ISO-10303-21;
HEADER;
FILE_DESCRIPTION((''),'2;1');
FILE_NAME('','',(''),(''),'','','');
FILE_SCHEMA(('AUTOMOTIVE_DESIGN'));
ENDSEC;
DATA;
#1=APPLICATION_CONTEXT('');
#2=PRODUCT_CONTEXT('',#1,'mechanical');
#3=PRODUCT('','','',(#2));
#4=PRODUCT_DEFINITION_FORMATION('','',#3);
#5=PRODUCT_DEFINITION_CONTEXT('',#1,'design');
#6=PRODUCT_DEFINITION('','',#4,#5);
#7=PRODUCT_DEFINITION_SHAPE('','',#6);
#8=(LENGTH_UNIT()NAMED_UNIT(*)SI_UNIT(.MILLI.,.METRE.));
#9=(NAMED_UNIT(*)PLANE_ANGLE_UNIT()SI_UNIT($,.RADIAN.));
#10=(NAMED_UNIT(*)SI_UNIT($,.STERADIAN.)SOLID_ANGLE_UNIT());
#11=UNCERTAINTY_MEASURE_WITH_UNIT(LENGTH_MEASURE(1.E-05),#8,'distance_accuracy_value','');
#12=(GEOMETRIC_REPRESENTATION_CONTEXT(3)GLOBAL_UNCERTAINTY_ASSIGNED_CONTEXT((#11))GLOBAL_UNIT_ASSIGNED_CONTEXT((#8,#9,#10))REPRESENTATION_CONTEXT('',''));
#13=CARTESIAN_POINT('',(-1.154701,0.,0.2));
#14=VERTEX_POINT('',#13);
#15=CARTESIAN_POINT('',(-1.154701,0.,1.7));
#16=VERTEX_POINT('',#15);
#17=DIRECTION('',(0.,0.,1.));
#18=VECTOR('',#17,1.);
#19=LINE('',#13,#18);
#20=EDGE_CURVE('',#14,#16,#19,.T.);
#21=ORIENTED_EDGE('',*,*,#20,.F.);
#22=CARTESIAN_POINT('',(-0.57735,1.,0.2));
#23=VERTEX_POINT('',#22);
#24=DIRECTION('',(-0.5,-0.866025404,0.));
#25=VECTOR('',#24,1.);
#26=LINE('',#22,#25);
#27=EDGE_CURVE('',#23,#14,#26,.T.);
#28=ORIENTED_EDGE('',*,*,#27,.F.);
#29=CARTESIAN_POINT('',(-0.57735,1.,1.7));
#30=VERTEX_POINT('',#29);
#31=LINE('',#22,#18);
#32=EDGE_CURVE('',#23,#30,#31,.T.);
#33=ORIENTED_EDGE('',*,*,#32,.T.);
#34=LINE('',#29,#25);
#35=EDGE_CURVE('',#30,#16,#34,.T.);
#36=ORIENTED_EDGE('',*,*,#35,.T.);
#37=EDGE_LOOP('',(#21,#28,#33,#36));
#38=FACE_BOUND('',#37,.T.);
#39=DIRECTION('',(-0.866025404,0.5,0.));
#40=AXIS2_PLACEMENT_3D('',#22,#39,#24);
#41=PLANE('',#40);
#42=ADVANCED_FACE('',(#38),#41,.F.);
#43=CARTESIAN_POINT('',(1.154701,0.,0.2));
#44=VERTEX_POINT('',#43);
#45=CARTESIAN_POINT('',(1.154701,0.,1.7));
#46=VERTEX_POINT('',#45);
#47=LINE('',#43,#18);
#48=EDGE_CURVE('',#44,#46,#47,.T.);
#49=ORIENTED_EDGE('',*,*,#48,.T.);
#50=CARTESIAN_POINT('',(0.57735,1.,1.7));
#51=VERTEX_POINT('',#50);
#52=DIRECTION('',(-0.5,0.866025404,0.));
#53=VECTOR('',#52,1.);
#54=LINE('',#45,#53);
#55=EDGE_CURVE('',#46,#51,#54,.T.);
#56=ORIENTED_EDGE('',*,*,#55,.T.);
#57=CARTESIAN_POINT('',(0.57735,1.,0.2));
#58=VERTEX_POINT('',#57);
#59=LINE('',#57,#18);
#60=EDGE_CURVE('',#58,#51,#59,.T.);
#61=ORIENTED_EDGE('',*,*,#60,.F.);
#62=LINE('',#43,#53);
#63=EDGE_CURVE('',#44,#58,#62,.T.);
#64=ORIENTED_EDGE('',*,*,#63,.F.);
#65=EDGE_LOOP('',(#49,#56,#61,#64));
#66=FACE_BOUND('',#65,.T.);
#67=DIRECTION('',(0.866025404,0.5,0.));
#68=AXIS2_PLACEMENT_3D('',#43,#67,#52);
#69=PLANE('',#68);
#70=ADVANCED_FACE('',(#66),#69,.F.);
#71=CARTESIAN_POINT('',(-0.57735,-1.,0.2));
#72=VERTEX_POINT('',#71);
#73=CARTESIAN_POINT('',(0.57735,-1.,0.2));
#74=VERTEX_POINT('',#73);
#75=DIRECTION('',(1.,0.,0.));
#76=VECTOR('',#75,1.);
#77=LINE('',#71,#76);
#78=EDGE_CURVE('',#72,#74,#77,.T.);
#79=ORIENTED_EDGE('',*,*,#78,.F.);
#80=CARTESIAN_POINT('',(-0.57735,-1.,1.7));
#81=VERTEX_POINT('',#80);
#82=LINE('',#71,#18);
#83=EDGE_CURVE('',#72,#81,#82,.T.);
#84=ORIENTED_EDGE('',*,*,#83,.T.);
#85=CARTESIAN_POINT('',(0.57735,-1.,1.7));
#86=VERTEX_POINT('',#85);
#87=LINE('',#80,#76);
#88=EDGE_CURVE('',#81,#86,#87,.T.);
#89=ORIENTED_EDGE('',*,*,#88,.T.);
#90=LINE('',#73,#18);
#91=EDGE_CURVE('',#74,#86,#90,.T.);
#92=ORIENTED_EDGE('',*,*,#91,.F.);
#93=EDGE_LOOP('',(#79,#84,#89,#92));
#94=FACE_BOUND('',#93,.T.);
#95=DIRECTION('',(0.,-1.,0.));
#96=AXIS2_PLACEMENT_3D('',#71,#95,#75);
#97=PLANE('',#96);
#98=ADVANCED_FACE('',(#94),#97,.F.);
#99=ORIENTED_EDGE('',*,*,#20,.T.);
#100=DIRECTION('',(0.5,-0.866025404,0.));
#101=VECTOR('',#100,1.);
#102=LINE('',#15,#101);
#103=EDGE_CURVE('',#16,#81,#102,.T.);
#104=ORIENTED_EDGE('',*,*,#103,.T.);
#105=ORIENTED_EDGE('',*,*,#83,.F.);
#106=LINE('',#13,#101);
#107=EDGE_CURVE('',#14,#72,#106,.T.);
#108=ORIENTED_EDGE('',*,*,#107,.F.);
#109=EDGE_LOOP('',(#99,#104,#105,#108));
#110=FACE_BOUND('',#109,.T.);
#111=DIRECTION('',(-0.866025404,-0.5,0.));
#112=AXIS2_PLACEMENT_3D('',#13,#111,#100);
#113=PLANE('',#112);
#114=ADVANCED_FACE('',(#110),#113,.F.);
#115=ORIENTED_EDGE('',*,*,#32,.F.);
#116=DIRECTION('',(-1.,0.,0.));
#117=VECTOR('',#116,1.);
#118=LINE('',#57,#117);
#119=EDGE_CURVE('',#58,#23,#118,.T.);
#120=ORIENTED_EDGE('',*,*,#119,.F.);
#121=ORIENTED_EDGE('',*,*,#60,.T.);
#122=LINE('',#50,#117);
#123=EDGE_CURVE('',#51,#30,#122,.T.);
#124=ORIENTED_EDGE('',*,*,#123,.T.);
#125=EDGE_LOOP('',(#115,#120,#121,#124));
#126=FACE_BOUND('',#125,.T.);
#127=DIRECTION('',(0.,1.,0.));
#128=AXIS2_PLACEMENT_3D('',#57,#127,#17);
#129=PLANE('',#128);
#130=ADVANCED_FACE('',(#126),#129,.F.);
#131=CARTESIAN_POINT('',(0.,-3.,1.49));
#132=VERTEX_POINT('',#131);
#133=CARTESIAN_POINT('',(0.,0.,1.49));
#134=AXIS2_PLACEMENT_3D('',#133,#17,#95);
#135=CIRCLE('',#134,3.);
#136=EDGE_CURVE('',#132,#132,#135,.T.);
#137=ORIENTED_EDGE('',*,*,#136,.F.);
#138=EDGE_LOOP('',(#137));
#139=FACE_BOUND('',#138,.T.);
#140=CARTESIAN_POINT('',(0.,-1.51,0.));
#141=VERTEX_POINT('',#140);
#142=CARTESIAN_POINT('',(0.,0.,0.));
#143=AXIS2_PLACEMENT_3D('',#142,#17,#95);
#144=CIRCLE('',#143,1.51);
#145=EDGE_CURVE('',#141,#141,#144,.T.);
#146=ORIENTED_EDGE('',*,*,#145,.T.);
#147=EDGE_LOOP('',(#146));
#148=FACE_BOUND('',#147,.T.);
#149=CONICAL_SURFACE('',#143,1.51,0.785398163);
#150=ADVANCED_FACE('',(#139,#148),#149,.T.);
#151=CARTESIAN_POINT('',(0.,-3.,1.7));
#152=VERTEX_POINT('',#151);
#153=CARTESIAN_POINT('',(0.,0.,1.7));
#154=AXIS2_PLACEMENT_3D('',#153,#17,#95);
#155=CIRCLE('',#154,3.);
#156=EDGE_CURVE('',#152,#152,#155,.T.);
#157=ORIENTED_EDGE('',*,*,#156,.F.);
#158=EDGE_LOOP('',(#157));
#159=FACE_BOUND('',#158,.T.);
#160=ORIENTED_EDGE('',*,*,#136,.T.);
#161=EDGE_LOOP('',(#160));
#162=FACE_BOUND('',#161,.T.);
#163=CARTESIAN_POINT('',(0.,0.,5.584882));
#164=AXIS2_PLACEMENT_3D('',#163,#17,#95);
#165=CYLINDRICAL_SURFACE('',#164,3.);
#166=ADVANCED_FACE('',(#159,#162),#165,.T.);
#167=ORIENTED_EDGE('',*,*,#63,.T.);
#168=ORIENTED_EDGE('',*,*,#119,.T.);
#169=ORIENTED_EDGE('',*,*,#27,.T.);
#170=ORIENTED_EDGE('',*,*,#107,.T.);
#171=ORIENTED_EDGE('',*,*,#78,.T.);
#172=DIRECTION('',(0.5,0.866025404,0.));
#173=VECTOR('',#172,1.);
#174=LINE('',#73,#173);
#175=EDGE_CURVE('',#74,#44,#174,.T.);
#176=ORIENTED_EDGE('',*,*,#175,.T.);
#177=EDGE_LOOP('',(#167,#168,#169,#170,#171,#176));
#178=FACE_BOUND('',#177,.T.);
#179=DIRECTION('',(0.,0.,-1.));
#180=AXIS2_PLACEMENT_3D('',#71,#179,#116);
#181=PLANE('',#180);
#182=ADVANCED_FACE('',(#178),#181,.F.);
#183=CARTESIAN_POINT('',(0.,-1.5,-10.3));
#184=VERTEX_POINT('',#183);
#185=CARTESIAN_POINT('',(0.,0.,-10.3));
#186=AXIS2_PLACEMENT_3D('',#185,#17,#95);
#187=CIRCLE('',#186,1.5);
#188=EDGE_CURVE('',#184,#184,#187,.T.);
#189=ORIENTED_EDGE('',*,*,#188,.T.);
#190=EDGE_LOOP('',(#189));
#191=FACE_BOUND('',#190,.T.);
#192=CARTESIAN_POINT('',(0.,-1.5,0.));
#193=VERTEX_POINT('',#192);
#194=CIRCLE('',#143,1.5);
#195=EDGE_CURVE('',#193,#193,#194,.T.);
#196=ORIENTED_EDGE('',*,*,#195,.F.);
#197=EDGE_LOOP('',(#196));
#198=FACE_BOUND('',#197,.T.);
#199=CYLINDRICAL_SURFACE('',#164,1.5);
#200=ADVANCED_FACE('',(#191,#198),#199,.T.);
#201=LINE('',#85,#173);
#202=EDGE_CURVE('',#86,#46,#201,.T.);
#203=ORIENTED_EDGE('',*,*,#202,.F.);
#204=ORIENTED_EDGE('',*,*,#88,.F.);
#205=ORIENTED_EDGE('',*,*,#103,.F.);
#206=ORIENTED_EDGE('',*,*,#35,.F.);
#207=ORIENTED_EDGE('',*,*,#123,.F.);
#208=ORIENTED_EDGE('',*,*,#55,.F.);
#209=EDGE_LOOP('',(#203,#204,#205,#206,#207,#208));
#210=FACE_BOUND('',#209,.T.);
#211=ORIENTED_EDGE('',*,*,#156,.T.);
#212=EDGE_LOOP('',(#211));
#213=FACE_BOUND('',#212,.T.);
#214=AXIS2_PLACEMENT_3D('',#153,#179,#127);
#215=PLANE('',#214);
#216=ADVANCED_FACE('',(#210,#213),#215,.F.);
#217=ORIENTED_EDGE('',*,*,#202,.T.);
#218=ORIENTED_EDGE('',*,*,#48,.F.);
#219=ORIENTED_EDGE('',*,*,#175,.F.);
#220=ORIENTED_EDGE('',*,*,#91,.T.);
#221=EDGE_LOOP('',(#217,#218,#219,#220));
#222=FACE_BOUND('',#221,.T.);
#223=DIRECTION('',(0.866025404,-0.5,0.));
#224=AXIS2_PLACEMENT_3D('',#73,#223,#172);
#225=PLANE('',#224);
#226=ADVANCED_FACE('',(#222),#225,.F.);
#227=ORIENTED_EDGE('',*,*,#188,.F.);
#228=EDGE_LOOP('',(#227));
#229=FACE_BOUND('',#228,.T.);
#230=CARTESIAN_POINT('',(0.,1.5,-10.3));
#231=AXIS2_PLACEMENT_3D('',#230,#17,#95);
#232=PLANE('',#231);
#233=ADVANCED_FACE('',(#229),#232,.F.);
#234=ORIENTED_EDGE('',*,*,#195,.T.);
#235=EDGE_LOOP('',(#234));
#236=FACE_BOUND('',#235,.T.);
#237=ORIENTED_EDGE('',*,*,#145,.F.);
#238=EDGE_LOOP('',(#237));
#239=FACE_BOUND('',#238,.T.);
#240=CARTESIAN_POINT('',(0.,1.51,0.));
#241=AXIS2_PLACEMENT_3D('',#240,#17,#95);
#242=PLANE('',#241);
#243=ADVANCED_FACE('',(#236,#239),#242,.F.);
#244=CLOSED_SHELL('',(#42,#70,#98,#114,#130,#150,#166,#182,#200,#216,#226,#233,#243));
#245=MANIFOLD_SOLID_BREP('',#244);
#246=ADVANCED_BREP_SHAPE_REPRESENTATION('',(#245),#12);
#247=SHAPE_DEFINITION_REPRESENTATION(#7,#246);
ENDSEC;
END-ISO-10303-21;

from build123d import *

# Parameters (mm, degrees)
CUT_EXTRUDE1_DEPTH = 1.5


with BuildPart() as part:
    # Sketch1 → Revolve1 (revolve)
    with BuildSketch(Plane(origin=(0, 0, 0), x_dir=(0, 0, -1), z_dir=(1, 0, 0))):
        Polygon((-1.7, 0), (-1.7, 3), (-1.49, 3), (0, 1.51), (0, 1.5), (10.3, 1.5), (10.3, 0), align=None)
    revolve(axis=Axis((0, 0, 5.584882278), (0, 0, -1)))

    # Sketch2 → Cut-Extrude1 (cut)
    with BuildSketch(Plane.XY.offset(1.7)):
        Polygon((0.577350269, -1), (1.154700538, 0), (0.577350269, 1), (-0.577350269, 1), (-1.154700538, 0), (-0.577350269, -1), align=None)
    extrude(amount=-CUT_EXTRUDE1_DEPTH, mode=Mode.SUBTRACT)


solid = part.part
